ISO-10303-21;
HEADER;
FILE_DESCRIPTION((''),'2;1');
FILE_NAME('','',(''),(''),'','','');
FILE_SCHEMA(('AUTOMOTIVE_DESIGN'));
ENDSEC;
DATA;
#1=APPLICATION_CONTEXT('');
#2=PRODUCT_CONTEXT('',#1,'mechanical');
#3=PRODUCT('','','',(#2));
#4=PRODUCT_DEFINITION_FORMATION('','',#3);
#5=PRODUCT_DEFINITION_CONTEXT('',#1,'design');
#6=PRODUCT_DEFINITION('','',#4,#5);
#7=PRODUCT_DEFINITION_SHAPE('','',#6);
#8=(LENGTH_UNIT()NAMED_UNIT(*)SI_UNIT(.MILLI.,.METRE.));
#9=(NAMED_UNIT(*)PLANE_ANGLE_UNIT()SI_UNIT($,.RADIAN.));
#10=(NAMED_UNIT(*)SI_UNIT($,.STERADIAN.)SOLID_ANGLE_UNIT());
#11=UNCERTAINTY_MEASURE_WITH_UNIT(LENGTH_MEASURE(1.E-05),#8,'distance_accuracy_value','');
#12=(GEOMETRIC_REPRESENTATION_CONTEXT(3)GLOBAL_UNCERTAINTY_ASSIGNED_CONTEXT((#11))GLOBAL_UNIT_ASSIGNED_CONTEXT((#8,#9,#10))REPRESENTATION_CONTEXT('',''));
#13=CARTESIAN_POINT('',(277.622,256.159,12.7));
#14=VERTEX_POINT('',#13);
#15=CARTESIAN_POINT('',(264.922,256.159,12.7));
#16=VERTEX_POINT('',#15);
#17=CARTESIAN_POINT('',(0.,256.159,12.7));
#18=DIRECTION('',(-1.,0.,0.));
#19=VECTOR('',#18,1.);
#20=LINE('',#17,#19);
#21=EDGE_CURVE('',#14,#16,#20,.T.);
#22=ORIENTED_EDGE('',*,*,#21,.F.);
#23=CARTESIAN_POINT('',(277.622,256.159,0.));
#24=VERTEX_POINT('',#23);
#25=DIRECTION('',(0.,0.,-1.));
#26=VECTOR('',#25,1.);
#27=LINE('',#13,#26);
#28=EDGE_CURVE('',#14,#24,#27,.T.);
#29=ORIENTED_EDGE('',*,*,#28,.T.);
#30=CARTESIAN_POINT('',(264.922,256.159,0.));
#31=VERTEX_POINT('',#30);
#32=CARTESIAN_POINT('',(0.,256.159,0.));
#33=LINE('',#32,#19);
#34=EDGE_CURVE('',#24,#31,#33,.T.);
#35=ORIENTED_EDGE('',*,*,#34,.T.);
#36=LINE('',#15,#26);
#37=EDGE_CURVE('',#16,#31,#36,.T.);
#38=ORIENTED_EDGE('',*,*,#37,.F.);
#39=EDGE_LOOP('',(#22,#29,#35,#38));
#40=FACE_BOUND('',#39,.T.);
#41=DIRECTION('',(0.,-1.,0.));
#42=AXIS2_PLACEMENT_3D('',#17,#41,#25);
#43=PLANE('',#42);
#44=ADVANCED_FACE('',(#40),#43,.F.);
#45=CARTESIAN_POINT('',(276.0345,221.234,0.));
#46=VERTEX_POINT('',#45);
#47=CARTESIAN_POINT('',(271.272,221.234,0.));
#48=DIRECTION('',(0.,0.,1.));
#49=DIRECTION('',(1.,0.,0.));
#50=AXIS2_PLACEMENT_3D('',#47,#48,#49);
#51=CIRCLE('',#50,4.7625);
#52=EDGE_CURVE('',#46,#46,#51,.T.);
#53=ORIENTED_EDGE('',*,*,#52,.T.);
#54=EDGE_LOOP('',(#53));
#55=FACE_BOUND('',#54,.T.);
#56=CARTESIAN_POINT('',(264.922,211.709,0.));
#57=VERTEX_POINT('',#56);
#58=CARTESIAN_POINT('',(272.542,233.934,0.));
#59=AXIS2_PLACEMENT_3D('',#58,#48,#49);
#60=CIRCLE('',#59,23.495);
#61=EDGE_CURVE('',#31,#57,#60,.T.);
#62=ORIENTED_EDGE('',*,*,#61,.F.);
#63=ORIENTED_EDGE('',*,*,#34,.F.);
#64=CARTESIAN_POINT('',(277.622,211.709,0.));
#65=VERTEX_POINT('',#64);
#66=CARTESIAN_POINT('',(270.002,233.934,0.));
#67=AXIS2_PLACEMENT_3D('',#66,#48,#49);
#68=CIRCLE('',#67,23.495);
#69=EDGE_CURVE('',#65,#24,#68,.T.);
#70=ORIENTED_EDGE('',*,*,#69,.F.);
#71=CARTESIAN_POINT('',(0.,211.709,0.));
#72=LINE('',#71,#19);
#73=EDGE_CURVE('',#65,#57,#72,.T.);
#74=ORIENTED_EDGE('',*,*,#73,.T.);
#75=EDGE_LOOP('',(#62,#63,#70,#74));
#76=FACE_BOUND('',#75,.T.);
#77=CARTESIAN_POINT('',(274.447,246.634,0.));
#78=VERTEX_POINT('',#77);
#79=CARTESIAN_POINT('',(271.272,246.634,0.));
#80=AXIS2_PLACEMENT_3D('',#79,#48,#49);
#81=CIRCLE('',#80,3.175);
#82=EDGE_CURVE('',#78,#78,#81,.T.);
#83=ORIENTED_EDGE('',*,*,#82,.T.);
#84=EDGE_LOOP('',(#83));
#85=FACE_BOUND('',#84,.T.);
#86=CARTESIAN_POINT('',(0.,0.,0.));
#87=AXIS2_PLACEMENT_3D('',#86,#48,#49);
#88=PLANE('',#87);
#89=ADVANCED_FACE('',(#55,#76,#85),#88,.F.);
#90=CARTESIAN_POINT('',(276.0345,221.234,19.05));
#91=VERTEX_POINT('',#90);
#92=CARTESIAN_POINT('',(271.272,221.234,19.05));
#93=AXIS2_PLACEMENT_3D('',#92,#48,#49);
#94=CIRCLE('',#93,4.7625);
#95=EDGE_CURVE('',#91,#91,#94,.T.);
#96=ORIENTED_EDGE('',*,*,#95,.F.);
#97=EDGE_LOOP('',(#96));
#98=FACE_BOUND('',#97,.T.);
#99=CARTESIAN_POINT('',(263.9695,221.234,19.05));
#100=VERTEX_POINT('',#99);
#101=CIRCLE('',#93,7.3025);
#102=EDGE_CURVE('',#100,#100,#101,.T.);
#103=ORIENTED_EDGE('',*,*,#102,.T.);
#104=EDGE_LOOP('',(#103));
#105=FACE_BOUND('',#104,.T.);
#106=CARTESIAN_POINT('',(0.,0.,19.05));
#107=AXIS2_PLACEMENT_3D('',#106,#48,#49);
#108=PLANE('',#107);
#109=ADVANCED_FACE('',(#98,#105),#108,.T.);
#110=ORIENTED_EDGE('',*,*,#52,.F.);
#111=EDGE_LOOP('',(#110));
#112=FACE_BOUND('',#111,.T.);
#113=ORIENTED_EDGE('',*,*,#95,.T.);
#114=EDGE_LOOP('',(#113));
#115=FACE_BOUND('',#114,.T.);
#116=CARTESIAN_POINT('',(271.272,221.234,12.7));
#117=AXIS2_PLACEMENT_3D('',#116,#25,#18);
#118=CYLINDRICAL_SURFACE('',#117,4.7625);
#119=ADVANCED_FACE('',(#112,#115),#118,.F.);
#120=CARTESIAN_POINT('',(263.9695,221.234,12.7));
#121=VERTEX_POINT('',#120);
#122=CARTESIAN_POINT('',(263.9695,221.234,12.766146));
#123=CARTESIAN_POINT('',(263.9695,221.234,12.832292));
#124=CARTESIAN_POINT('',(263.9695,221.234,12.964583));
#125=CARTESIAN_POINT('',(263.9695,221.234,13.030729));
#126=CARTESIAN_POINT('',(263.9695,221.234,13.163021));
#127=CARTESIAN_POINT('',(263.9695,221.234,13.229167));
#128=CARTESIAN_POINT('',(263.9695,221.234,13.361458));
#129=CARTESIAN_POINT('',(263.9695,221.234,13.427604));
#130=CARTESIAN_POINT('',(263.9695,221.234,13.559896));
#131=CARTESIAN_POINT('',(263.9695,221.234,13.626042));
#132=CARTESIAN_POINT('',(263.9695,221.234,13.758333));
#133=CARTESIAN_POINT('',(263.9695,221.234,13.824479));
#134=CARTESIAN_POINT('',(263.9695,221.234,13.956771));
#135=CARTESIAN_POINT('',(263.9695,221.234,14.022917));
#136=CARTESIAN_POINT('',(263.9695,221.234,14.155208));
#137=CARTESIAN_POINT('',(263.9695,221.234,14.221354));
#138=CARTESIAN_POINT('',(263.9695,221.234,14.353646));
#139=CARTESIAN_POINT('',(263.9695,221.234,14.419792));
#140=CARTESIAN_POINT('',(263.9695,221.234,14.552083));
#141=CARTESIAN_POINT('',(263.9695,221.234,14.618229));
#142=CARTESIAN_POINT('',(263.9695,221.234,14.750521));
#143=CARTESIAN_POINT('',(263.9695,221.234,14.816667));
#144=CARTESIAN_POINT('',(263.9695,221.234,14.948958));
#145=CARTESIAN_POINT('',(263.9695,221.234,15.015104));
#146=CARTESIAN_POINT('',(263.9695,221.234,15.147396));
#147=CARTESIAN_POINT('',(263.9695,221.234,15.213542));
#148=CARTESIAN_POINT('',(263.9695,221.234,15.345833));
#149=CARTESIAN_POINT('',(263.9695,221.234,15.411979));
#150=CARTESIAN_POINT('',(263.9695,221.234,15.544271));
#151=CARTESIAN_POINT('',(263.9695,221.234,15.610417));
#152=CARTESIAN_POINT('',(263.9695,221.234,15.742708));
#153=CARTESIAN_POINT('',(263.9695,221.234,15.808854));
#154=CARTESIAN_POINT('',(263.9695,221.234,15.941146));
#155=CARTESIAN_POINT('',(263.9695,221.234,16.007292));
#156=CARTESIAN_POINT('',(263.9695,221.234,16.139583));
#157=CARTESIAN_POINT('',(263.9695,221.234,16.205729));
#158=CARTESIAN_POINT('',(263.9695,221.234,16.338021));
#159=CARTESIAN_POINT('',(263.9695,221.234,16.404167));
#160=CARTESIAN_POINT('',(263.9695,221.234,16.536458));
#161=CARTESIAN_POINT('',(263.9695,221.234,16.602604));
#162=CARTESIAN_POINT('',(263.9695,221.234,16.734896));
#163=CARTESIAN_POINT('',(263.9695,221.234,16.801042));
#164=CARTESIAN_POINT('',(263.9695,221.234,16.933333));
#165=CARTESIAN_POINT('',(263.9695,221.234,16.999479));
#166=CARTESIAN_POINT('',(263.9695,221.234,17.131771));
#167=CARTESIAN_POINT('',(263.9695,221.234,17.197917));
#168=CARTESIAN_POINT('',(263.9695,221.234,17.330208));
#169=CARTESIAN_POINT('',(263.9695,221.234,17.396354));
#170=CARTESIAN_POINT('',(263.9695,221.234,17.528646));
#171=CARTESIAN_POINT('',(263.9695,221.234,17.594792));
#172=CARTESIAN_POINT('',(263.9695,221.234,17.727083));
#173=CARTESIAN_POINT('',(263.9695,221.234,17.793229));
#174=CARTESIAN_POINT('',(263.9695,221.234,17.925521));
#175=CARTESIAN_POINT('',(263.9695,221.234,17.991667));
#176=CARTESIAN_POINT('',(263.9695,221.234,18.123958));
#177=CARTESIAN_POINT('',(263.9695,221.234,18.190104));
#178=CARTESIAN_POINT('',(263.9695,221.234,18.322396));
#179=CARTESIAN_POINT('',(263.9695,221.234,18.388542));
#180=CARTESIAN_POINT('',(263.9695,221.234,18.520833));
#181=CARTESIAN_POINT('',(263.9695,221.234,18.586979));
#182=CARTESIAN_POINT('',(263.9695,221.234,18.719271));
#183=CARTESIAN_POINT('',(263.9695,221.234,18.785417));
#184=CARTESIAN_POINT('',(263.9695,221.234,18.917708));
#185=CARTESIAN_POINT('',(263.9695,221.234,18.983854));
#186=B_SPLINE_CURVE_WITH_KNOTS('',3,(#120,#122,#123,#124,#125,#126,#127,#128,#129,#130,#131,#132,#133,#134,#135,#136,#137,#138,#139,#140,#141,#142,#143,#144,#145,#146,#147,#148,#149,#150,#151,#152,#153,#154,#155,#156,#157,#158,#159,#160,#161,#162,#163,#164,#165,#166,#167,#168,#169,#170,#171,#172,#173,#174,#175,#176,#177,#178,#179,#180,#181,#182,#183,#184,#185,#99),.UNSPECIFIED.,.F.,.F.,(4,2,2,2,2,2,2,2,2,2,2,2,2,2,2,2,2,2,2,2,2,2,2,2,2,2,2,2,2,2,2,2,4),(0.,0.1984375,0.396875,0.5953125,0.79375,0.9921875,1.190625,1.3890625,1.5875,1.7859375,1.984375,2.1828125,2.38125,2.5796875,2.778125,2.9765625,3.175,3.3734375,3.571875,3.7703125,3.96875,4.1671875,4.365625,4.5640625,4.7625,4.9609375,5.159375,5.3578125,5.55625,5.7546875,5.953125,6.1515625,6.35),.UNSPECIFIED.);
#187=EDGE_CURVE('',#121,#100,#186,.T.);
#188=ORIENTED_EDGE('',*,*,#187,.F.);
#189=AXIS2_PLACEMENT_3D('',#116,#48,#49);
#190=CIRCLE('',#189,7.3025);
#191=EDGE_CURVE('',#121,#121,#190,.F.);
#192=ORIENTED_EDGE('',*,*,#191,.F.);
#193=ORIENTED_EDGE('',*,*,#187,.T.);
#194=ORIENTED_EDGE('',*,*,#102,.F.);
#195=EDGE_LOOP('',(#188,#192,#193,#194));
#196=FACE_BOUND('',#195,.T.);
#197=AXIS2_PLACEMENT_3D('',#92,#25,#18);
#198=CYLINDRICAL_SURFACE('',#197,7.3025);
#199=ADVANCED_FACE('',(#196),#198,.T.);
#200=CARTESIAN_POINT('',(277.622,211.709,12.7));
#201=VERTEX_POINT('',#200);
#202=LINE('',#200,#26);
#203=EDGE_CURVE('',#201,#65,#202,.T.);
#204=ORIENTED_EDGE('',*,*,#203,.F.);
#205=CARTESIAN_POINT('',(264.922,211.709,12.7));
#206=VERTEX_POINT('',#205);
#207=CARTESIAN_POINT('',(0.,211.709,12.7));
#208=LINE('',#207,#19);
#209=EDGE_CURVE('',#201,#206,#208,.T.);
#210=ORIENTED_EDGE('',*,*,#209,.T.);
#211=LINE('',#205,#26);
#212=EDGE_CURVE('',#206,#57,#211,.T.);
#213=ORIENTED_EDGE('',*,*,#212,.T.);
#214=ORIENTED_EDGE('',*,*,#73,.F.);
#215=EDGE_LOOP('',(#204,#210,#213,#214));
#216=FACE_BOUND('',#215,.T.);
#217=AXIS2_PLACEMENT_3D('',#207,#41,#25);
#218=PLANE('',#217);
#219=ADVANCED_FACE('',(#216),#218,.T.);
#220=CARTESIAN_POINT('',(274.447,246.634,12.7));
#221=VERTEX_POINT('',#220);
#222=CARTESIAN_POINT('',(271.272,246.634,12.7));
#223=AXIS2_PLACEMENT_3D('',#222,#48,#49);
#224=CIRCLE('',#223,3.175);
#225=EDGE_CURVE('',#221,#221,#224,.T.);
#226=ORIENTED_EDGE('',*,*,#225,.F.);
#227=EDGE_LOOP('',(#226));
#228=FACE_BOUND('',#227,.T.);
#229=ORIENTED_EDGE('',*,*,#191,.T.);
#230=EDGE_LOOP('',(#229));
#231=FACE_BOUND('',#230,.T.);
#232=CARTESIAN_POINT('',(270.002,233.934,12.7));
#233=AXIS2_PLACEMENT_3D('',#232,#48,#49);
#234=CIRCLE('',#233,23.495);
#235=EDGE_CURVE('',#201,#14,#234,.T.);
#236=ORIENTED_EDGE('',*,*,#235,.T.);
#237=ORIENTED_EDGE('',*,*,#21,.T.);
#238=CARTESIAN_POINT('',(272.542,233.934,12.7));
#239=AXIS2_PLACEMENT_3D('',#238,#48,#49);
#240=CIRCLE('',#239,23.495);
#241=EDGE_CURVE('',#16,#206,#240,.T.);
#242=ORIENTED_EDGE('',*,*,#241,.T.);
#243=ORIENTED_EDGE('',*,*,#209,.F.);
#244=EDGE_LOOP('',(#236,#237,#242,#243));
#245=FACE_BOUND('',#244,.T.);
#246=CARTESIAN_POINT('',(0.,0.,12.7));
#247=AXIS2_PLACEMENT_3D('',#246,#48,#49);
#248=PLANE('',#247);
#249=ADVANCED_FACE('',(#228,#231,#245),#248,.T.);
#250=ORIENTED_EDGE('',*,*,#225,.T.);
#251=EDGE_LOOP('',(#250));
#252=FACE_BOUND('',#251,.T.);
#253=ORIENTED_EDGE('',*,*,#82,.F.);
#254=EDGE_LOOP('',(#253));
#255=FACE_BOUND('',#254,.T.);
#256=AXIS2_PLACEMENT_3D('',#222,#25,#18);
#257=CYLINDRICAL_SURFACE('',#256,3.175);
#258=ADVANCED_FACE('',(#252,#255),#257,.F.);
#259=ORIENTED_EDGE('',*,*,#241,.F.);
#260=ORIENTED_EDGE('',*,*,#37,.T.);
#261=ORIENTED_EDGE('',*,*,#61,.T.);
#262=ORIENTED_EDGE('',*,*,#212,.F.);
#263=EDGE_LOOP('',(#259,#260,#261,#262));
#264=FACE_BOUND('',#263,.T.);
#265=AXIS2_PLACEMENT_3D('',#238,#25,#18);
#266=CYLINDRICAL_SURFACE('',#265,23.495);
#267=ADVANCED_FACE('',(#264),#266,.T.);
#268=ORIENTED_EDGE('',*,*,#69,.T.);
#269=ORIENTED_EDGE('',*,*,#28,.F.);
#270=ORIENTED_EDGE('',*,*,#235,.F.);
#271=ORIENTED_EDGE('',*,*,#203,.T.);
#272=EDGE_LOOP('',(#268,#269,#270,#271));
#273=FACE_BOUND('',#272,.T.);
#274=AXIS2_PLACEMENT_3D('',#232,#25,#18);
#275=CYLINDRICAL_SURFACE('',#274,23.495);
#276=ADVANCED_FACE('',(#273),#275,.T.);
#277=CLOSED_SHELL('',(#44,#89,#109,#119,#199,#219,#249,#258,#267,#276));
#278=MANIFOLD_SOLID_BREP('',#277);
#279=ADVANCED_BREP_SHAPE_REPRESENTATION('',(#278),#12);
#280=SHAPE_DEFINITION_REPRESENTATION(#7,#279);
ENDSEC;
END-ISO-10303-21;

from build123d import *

# Parameters (mm, degrees)
MODEL_R             = 3.175
MODEL_R_2           = 4.7625
BOSS_EXTRUDE1_DEPTH = 12.7
MODEL_3_R           = 7.3025
MODEL_3_R_2         = 4.7625
BOSS_EXTRUDE2_DEPTH = 19.05


with BuildPart() as part:
    # Model → Boss-Extrude1 (new body)
    with BuildSketch(Plane.XY):
        with BuildLine():
            Line((264.921999997, 211.709), (277.621999997, 211.709))
            ThreePointArc((277.621999997, 211.709), (293.497000017, 233.934), (277.621999997, 256.159))
            Line((277.621999997, 256.159), (264.921999997, 256.159))
            ThreePointArc((264.921999997, 256.159), (249.046999977, 233.934), (264.921999997, 211.709))
        make_face()
        with Locations((271.271999997, 246.634)):
            Circle(MODEL_R, mode=Mode.SUBTRACT)
        with Locations((271.271999997, 221.234)):
            Circle(MODEL_R_2, mode=Mode.SUBTRACT)
    extrude(amount=BOSS_EXTRUDE1_DEPTH)

    # Model<3> → Boss-Extrude2 (add)
    with BuildSketch(Plane.XY):
        with Locations((271.271999997, 221.234)):
            Circle(MODEL_3_R)
        with Locations((271.271999997, 221.234)):
            Circle(MODEL_3_R_2, mode=Mode.SUBTRACT)
    extrude(amount=BOSS_EXTRUDE2_DEPTH)


solid = part.part
